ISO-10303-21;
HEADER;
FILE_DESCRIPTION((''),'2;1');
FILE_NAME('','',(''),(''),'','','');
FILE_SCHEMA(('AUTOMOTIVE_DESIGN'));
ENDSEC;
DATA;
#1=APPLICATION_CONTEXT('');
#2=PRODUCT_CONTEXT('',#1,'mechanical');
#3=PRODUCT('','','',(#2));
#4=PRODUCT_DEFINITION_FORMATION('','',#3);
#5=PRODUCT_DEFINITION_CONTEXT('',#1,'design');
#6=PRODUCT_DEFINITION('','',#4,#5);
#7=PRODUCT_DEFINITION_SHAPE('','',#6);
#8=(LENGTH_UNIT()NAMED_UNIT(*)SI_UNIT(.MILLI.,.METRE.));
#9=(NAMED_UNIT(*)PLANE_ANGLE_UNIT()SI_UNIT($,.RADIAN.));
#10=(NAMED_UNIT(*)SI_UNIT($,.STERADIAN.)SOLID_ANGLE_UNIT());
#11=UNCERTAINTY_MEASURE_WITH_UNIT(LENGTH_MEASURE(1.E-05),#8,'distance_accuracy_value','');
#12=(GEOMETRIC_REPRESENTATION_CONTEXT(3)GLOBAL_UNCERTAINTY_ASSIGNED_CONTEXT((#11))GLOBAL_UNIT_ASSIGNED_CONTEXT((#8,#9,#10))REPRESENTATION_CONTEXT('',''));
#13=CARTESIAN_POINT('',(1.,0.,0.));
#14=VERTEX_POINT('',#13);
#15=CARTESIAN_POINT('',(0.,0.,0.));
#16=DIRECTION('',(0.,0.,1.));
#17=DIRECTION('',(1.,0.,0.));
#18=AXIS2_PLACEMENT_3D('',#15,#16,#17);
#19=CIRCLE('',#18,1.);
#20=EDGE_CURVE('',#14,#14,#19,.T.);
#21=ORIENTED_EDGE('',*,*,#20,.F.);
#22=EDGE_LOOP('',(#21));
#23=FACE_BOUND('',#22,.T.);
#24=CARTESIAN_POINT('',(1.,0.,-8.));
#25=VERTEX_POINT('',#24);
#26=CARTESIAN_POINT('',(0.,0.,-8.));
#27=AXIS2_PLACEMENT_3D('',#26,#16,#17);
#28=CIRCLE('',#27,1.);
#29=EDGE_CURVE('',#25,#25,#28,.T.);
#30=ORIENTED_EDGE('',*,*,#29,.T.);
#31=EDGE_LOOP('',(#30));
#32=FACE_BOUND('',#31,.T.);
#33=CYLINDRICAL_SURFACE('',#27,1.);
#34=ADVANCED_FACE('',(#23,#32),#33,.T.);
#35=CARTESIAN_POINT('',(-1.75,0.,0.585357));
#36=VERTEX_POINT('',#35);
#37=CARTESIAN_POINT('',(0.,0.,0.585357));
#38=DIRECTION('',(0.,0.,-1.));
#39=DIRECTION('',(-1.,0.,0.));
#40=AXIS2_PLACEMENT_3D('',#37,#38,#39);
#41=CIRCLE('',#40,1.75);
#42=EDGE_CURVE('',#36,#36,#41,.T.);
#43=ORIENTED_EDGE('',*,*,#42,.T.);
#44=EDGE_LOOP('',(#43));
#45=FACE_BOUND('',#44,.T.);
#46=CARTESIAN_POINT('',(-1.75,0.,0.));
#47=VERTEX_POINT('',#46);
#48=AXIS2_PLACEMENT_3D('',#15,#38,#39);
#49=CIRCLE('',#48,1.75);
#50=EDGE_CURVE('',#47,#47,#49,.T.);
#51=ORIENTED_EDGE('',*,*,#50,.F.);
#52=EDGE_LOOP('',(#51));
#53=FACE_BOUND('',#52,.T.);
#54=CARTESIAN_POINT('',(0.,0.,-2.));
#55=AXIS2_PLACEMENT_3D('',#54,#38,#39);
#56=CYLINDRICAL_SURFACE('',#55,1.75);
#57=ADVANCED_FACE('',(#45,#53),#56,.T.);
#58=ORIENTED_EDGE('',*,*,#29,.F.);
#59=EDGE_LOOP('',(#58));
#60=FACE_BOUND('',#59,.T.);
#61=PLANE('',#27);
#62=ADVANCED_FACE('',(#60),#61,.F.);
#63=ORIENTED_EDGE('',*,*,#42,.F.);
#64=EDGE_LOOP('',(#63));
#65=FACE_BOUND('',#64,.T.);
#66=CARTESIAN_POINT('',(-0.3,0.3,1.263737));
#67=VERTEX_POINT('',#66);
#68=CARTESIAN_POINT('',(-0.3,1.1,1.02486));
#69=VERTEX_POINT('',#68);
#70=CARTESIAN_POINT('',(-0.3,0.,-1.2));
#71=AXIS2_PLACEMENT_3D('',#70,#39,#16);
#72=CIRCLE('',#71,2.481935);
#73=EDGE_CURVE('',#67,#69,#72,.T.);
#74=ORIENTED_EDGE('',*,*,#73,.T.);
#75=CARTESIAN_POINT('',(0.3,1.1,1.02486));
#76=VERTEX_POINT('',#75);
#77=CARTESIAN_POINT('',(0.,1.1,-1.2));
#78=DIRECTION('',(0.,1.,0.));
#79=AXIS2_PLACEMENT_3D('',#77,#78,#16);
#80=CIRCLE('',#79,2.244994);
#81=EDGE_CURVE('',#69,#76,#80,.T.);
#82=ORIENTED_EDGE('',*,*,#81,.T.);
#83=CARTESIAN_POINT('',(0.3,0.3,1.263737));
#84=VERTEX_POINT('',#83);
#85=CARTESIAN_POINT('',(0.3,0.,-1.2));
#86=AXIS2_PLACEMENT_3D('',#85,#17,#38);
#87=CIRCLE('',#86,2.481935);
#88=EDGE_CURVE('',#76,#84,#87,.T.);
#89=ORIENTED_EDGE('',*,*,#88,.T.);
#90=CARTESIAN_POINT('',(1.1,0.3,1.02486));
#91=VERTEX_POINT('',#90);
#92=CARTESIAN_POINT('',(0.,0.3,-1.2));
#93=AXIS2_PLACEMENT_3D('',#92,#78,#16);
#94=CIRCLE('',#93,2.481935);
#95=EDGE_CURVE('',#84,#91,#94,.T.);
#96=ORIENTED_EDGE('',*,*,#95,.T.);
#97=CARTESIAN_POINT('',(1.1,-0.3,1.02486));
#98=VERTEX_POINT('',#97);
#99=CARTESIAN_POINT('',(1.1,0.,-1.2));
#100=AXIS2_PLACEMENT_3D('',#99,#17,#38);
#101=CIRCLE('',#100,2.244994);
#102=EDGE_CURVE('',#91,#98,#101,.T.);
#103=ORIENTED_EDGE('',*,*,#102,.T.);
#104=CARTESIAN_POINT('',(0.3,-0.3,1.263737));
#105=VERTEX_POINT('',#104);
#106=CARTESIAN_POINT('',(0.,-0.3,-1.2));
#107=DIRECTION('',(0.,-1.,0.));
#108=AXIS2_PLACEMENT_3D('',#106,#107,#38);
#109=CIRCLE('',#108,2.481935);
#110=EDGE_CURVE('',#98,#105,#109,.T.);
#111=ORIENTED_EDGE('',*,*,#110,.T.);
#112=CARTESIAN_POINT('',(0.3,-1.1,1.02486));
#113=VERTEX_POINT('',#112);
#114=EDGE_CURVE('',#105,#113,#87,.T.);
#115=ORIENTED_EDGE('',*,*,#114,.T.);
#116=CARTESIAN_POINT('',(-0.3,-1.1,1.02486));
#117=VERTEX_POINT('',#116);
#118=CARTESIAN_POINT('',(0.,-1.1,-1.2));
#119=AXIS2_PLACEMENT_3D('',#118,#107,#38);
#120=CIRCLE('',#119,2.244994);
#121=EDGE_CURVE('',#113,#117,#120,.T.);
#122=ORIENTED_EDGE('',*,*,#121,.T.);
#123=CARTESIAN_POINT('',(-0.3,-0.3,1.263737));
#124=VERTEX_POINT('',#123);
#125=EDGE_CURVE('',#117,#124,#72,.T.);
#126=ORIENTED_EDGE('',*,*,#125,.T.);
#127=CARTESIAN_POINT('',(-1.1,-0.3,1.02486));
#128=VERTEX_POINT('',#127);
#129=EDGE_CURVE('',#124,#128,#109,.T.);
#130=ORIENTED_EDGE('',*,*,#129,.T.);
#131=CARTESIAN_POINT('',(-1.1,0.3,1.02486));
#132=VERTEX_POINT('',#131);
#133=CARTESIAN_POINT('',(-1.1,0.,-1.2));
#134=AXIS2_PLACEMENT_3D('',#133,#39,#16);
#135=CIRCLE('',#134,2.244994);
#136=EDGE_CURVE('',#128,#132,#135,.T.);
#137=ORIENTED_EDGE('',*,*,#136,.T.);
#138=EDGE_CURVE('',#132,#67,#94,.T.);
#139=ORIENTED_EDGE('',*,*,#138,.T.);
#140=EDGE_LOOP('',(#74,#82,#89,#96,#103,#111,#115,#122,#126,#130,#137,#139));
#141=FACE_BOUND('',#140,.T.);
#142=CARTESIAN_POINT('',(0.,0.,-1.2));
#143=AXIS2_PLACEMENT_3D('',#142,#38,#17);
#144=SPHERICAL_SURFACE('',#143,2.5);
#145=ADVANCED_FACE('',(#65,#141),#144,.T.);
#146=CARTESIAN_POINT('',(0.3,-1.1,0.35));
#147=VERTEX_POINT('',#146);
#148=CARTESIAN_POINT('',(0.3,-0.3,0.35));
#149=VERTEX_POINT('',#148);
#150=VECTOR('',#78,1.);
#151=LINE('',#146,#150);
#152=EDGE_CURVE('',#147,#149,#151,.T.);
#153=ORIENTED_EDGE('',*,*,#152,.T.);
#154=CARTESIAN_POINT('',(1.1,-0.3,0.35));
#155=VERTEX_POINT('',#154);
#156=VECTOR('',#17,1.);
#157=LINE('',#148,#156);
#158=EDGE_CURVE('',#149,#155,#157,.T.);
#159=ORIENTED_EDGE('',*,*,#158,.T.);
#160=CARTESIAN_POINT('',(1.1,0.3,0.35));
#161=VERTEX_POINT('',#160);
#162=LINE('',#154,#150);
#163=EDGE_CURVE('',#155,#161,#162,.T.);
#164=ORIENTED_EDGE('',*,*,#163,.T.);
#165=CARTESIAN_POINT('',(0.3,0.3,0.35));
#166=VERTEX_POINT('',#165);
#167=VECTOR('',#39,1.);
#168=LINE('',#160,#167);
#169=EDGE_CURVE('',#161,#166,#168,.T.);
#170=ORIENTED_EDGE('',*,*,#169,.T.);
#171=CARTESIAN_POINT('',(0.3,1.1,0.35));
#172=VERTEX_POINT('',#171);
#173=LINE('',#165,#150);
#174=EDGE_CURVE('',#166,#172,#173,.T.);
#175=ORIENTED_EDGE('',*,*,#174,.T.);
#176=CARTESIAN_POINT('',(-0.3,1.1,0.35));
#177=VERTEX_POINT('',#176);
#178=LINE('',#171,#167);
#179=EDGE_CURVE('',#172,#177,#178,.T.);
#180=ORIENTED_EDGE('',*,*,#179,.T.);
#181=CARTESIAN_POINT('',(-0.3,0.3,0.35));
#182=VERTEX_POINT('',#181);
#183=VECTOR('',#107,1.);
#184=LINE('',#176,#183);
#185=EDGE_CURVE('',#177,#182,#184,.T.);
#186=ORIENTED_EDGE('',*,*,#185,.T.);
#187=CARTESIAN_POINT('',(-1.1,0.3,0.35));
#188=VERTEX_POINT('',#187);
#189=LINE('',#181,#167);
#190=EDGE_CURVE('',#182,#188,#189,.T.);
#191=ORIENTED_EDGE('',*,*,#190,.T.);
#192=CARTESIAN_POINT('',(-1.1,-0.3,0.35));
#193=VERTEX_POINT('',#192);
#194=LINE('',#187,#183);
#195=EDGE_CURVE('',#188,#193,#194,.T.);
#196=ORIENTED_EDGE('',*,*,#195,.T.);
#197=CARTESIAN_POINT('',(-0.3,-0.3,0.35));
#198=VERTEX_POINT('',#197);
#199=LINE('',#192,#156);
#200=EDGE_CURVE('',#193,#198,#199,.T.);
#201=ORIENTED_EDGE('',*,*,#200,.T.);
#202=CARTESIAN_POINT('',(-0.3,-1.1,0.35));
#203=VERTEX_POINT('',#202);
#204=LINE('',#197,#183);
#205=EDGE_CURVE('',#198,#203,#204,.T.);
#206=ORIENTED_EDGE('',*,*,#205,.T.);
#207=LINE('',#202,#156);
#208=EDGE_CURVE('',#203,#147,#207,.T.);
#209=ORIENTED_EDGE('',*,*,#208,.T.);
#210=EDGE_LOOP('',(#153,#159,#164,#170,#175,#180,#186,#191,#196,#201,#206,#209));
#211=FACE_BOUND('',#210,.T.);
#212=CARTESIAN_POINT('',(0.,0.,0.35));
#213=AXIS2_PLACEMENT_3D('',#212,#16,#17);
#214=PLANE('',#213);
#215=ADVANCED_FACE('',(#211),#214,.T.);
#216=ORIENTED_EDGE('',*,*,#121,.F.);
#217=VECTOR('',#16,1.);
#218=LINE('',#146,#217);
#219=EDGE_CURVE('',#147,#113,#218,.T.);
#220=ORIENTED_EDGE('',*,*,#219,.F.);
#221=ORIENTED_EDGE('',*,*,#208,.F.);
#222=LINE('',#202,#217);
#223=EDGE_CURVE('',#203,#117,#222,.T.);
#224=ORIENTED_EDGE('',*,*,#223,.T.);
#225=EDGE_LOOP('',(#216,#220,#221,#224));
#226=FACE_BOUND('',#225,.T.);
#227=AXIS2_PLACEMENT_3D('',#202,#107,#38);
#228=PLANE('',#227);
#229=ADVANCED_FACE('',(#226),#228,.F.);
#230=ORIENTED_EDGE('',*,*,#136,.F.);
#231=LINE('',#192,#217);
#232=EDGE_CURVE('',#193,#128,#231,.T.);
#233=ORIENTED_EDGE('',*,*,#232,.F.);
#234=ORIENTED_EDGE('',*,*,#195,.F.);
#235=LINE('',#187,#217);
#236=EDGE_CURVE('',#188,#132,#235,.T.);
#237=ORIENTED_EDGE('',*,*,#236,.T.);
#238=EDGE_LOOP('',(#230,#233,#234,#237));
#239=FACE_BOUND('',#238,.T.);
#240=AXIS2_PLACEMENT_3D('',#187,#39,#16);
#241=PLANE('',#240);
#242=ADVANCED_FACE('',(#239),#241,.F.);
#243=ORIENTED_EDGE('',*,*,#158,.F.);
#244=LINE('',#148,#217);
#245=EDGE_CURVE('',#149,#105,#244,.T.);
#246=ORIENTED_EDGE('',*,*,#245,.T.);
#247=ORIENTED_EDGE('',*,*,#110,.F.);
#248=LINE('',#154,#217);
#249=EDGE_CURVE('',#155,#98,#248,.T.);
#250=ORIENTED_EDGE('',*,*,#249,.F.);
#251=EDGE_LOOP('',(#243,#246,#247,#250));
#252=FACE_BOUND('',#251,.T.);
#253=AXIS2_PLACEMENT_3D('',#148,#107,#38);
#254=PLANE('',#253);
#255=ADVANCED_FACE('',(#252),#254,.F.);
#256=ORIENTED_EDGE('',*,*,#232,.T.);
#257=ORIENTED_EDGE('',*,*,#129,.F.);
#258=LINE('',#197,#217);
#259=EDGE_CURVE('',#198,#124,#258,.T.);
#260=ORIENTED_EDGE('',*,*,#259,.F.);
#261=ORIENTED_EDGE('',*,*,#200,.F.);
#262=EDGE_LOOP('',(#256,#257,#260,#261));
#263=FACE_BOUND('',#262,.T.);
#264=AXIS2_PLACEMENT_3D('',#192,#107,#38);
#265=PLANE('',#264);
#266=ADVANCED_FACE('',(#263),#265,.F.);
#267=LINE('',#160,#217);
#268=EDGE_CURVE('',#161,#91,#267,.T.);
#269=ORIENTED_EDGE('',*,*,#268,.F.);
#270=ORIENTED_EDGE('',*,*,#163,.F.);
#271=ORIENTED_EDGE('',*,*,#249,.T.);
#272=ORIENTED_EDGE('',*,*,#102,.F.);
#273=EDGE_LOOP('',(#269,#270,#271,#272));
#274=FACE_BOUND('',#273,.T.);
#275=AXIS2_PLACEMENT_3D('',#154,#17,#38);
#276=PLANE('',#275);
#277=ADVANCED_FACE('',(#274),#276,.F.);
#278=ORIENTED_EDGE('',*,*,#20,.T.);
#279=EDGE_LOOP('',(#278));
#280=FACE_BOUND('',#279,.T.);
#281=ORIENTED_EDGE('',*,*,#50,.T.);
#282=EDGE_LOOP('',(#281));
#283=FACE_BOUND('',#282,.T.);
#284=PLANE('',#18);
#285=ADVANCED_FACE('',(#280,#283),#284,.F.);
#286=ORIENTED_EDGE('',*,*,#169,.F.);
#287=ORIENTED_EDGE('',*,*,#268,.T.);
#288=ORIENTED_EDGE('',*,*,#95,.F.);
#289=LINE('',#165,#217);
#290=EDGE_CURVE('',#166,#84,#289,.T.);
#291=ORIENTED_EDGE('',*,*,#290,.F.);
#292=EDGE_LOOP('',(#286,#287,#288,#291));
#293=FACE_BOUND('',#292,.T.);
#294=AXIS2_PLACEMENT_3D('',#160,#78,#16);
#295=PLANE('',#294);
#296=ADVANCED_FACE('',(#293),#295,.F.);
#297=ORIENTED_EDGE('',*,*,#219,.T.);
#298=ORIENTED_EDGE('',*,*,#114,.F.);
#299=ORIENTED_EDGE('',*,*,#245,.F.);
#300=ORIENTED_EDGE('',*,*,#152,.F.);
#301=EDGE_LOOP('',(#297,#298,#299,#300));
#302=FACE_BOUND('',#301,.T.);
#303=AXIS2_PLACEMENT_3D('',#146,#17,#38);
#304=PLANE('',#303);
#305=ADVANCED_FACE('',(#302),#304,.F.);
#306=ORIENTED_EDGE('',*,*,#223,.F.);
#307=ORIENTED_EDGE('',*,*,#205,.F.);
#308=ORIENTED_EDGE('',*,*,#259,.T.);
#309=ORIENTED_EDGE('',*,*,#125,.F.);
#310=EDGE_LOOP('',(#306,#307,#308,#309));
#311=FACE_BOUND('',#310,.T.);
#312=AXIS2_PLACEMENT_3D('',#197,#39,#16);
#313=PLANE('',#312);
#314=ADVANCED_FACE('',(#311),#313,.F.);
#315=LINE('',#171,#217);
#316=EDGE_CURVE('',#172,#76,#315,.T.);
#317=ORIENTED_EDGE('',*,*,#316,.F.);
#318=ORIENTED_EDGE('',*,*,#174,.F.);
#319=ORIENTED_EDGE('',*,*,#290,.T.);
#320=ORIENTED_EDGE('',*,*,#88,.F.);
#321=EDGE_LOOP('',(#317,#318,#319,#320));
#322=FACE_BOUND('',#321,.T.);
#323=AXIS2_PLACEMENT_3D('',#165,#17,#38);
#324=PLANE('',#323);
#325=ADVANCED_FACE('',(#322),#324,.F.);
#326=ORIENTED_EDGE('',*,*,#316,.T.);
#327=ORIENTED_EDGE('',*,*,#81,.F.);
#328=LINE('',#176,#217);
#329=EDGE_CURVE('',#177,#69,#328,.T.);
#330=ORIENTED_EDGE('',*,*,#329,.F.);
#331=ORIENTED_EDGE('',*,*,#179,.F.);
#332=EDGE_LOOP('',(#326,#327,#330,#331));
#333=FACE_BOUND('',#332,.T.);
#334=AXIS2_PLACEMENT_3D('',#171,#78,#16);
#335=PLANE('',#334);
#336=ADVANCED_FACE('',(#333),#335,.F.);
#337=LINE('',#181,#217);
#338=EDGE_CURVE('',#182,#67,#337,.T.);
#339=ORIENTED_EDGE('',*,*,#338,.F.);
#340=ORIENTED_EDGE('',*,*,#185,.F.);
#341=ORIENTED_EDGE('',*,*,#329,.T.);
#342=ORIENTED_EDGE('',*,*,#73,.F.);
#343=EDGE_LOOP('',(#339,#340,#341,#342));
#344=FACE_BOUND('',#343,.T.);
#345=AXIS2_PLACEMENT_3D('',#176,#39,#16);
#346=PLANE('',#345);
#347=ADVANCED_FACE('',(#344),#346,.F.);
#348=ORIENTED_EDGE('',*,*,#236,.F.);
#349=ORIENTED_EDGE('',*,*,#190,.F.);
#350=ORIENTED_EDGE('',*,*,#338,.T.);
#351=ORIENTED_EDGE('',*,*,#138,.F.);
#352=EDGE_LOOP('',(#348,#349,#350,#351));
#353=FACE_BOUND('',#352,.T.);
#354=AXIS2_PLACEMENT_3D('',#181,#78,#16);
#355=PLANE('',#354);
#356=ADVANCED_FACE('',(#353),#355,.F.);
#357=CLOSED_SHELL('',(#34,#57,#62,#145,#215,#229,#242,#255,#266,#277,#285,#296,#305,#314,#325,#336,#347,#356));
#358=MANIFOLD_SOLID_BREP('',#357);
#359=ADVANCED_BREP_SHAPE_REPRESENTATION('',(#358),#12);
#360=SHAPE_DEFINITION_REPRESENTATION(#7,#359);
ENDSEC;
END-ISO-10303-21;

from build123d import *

# Parameters (mm, degrees)
SKETCH_1_R        = 1
EXTRUDE_198_DEPTH = 8
PH1_START         = 1.31
PH1_DEPTH         = 0.96


with BuildPart() as part:
    # 草图1 → Extrude 198 (new body)
    with BuildSketch(Plane.XY):
        Circle(SKETCH_1_R)
    extrude(amount=-EXTRUDE_198_DEPTH)

    # 草图6 → Revolve 324 (revolve)
    with BuildSketch(Plane(origin=(0, 0, 0), x_dir=(1, 0, 0), z_dir=(0, 1, 0)), mode=Mode.PRIVATE) as revolve_324_sk:
        with BuildLine():
            Line((0, 0), (1.75, 0))
            Line((1.75, 0), (1.75, -0.585357107))
            ThreePointArc((1.75, -0.585357107), (0.945147404, -1.114453798), (0, -1.3))
            Line((0, -1.3), (0, 0))
        make_face()
    revolve(revolve_324_sk.sketch.rotate(Axis((0, 0, -2), (0, 0, 1)), 180), axis=Axis((0, 0, -2), (0, 0, 1)))

    # 草图7 → 十字槽_PH1_简化 (cut)
    with BuildSketch(Plane.XY.offset(PH1_START)):
        Polygon((-0.3, -1.1), (0.3, -1.1), (0.3, -0.3), (1.1, -0.3), (1.1, 0.3), (0.3, 0.3), (0.3, 1.1), (-0.3, 1.1), (-0.3, 0.3), (-1.1, 0.3), (-1.1, -0.3), (-0.3, -0.3), align=None)
    extrude(amount=-PH1_DEPTH, mode=Mode.SUBTRACT)


solid = part.part
